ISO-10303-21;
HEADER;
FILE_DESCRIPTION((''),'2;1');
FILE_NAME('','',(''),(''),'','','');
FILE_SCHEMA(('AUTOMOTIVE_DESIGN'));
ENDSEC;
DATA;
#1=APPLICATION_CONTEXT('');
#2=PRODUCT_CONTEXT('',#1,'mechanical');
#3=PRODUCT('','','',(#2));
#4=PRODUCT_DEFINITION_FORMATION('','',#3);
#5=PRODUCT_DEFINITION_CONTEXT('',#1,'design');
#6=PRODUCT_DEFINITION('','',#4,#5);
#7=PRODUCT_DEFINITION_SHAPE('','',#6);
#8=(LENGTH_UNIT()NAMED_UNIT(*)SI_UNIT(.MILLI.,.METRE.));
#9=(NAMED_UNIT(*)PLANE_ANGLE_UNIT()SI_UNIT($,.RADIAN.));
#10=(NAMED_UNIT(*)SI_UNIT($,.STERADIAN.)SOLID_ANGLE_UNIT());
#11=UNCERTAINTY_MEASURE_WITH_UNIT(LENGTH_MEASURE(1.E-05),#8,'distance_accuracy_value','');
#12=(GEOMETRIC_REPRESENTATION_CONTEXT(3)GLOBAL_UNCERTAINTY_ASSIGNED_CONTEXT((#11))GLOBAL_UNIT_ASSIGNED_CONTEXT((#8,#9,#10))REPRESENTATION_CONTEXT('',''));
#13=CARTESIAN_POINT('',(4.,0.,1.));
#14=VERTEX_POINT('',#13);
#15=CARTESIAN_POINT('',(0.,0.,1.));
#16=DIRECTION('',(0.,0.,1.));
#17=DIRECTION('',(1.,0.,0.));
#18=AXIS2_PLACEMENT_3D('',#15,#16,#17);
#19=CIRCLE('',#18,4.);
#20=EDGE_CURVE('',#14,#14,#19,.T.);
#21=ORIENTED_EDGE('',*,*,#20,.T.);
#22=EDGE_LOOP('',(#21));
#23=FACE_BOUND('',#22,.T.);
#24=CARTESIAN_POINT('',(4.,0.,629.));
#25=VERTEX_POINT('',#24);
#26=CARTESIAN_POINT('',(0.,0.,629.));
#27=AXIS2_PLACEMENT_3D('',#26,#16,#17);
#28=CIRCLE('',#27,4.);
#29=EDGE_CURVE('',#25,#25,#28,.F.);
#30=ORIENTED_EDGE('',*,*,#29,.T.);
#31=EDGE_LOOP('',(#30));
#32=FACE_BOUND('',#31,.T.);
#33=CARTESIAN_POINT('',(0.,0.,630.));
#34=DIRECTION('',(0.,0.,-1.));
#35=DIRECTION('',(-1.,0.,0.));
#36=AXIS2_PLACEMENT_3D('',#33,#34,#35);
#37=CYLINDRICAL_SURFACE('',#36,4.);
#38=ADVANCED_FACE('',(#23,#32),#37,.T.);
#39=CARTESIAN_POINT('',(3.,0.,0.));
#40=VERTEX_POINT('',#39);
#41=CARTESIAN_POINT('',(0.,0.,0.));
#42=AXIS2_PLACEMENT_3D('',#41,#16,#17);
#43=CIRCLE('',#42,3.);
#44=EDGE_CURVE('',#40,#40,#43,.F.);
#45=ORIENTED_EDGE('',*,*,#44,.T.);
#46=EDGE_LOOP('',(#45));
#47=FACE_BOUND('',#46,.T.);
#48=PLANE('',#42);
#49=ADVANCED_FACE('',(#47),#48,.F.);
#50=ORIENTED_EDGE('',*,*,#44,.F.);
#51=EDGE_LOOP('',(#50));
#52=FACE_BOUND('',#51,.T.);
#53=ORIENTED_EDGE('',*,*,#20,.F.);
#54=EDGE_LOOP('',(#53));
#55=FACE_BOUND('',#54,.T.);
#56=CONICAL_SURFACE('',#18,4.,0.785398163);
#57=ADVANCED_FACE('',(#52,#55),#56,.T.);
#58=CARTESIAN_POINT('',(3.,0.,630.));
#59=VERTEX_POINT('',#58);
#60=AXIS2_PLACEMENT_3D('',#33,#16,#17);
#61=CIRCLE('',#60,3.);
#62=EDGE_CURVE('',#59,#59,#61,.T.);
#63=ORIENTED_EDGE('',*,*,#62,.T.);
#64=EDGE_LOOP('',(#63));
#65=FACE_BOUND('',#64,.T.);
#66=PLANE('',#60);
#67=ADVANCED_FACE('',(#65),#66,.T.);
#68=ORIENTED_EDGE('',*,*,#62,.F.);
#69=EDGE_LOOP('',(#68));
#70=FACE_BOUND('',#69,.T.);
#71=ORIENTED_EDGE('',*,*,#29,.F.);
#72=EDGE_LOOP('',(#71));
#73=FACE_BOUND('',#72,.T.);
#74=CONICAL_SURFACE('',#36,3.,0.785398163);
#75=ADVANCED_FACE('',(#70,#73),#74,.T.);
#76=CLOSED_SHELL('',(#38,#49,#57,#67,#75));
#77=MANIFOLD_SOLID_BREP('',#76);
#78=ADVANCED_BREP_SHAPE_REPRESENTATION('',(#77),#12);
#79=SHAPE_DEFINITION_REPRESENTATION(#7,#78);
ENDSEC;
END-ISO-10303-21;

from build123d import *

# Parameters (mm, degrees)
SKETCH1_R           = 4
BOSS_EXTRUDE1_DEPTH = 630
CHAMFER1_SIZE       = 1


with BuildPart() as part:
    # Sketch1 → Boss-Extrude1 (new body)
    with BuildSketch(Plane.XY):
        Circle(SKETCH1_R)
    extrude(amount=BOSS_EXTRUDE1_DEPTH)

    # Chamfer1
    chamfer1_edges = [part.edges().sort_by_distance(p)[0] for p in [
        (-4, 0, 0),
        (-4, 0, 630),
    ]]
    chamfer(chamfer1_edges, length=CHAMFER1_SIZE)


solid = part.part
